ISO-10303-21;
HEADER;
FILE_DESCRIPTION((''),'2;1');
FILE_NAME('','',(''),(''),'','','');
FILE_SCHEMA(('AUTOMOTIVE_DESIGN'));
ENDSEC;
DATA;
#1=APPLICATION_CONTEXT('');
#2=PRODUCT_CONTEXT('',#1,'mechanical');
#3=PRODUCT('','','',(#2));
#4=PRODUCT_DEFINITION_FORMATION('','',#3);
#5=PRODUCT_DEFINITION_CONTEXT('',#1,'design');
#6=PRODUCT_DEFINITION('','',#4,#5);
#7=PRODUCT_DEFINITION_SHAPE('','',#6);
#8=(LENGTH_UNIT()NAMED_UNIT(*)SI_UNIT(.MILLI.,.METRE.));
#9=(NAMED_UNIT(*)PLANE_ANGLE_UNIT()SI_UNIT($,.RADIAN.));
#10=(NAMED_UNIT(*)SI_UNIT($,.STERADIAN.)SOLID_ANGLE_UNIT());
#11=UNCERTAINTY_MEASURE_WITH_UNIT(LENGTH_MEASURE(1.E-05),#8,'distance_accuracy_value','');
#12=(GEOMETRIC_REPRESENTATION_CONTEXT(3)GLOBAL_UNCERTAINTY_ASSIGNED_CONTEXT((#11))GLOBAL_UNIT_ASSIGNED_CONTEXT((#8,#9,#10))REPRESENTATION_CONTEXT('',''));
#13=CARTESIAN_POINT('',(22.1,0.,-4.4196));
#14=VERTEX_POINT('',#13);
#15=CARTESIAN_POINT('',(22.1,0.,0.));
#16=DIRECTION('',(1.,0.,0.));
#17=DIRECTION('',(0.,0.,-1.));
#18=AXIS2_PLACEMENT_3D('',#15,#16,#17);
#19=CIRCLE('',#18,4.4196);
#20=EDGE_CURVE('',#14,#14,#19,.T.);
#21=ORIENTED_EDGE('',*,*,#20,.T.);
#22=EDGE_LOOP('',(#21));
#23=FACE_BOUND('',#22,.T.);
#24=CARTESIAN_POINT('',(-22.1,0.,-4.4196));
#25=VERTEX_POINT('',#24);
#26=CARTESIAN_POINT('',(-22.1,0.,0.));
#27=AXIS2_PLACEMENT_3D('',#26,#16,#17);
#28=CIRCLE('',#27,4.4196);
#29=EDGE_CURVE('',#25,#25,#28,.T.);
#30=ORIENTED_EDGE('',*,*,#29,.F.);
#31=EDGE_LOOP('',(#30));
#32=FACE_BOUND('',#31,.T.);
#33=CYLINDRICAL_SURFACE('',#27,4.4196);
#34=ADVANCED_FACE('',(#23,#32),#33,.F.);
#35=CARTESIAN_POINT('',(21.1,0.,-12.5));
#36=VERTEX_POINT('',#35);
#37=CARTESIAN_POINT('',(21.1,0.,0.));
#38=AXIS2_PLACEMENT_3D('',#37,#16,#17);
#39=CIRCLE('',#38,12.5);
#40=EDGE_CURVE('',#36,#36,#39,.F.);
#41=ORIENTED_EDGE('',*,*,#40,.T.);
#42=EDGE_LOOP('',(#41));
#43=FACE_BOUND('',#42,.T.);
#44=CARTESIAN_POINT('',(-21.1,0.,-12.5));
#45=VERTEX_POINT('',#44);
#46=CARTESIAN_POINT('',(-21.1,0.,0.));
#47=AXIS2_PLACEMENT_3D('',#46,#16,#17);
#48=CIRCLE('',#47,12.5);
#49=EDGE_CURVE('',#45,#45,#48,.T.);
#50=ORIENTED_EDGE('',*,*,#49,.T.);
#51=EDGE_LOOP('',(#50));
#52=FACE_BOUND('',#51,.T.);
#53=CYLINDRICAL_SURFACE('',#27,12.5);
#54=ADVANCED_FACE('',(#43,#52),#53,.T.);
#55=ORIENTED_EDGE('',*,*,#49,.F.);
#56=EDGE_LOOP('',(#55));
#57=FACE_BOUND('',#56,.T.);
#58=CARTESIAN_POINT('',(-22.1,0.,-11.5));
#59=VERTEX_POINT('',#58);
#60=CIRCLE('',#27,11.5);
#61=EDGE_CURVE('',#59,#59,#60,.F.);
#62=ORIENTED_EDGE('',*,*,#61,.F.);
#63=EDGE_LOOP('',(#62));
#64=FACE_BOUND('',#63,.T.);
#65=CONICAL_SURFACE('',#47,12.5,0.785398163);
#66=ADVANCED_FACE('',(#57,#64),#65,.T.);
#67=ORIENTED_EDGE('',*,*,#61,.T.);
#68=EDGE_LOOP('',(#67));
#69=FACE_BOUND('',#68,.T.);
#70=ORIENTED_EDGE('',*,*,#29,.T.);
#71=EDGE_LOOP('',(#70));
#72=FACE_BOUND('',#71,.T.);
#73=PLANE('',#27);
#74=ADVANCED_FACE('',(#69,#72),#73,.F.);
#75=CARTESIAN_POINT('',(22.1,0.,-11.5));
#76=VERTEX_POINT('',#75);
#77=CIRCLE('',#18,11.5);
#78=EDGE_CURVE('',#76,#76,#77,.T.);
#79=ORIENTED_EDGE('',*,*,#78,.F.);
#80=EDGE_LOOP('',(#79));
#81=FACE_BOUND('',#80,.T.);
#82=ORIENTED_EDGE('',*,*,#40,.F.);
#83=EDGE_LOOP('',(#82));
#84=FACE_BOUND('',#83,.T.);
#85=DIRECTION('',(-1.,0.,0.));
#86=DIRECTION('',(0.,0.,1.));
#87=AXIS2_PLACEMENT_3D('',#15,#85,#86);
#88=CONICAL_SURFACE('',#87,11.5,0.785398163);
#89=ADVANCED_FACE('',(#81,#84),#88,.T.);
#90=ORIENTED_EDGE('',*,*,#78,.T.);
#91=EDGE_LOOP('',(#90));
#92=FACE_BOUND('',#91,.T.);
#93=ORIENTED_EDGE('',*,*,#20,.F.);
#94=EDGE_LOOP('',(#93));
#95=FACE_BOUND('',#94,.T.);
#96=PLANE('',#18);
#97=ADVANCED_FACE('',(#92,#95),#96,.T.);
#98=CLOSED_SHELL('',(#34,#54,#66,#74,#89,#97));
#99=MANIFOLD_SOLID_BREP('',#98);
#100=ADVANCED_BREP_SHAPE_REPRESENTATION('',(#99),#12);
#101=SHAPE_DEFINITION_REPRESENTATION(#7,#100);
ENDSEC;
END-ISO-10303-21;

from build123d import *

# Parameters (mm, degrees)
EXTRUDE1_START = -22.1
SKETCH1_R      = 12.5
SKETCH1_R_2    = 4.4196
EXTRUDE1_DEPTH = 44.2
CHAMFER1_SIZE  = 1


with BuildPart() as part:
    # Sketch1 → Extrude1 (new body)
    with BuildSketch(Plane(origin=(0, 0, 0), x_dir=(0, 0, -1), z_dir=(1, 0, 0)).offset(EXTRUDE1_START)):
        Circle(SKETCH1_R)
        Circle(SKETCH1_R_2, mode=Mode.SUBTRACT)
    extrude(amount=EXTRUDE1_DEPTH)

    # Chamfer1
    chamfer1_edges = [part.edges().sort_by_distance(p)[0] for p in [
        (-22.1, 0, 12.5),
        (22.1, 0, 12.5),
    ]]
    chamfer(chamfer1_edges, length=CHAMFER1_SIZE)


solid = part.part
